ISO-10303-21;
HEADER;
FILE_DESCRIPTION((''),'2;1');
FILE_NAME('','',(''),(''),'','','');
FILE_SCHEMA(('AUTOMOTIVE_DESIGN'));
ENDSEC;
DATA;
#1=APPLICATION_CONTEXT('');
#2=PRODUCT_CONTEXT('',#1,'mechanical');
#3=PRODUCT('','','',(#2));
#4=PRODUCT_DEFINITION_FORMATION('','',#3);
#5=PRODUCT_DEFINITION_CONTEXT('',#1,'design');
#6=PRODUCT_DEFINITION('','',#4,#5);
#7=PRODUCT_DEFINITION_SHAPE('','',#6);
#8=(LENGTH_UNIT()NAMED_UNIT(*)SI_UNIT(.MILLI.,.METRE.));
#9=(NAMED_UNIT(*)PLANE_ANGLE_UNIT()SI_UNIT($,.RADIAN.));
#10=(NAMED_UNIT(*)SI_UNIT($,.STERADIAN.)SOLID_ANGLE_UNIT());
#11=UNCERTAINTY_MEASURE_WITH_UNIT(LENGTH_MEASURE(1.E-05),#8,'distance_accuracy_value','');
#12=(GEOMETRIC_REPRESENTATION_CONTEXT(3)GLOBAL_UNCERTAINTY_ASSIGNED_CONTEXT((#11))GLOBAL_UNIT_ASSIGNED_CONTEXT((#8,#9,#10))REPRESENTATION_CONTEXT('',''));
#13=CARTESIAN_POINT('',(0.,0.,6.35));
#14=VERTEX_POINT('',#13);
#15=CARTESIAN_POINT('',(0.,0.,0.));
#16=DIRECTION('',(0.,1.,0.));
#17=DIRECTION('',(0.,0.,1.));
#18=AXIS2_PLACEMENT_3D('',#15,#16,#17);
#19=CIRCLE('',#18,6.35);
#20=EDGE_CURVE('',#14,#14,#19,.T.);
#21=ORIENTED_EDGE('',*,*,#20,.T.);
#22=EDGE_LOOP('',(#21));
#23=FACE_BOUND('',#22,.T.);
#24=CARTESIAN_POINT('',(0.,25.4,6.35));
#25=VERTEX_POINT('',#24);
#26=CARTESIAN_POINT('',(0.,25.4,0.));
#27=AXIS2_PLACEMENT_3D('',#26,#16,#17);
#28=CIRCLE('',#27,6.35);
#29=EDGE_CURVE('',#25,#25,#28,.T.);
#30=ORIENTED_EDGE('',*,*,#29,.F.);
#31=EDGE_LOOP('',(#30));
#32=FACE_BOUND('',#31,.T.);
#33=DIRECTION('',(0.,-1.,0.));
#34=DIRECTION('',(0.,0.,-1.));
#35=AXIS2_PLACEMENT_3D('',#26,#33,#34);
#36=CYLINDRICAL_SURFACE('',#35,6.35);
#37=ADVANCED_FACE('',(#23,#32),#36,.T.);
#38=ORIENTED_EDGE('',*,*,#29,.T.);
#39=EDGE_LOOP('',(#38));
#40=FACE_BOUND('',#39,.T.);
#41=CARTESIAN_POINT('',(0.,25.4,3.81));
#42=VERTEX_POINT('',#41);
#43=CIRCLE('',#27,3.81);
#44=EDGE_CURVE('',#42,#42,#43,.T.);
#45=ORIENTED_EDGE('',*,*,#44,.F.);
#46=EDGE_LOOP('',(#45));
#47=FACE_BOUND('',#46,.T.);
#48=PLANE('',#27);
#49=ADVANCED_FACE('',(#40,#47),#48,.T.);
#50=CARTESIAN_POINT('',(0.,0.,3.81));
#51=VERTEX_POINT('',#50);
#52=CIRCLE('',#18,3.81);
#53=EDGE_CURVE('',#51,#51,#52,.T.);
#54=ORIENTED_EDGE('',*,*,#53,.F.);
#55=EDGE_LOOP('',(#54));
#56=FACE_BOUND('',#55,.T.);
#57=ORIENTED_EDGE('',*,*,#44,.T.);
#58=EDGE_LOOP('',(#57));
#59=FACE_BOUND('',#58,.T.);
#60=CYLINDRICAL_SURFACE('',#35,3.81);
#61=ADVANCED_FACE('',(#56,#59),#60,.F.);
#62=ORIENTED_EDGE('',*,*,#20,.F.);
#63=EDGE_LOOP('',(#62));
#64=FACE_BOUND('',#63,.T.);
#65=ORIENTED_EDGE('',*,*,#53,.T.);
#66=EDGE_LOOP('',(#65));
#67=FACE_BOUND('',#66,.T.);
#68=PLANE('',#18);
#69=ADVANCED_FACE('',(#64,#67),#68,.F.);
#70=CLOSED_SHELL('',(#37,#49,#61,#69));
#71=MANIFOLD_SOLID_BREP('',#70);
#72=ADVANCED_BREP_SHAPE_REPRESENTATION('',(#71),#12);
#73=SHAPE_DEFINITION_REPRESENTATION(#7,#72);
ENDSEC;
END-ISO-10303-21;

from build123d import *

# Parameters (mm, degrees)
SKETCH1_R           = 6.35
SKETCH1_R_2         = 3.81
BOSS_EXTRUDE1_DEPTH = 25.4


with BuildPart() as part:
    # Sketch1 → Boss-Extrude1 (new body)
    with BuildSketch(Plane(origin=(0, 0, 0), x_dir=(1, 0, 0), z_dir=(0, 1, 0))):
        Circle(SKETCH1_R)
        Circle(SKETCH1_R_2, mode=Mode.SUBTRACT)
    extrude(amount=BOSS_EXTRUDE1_DEPTH)


solid = part.part
